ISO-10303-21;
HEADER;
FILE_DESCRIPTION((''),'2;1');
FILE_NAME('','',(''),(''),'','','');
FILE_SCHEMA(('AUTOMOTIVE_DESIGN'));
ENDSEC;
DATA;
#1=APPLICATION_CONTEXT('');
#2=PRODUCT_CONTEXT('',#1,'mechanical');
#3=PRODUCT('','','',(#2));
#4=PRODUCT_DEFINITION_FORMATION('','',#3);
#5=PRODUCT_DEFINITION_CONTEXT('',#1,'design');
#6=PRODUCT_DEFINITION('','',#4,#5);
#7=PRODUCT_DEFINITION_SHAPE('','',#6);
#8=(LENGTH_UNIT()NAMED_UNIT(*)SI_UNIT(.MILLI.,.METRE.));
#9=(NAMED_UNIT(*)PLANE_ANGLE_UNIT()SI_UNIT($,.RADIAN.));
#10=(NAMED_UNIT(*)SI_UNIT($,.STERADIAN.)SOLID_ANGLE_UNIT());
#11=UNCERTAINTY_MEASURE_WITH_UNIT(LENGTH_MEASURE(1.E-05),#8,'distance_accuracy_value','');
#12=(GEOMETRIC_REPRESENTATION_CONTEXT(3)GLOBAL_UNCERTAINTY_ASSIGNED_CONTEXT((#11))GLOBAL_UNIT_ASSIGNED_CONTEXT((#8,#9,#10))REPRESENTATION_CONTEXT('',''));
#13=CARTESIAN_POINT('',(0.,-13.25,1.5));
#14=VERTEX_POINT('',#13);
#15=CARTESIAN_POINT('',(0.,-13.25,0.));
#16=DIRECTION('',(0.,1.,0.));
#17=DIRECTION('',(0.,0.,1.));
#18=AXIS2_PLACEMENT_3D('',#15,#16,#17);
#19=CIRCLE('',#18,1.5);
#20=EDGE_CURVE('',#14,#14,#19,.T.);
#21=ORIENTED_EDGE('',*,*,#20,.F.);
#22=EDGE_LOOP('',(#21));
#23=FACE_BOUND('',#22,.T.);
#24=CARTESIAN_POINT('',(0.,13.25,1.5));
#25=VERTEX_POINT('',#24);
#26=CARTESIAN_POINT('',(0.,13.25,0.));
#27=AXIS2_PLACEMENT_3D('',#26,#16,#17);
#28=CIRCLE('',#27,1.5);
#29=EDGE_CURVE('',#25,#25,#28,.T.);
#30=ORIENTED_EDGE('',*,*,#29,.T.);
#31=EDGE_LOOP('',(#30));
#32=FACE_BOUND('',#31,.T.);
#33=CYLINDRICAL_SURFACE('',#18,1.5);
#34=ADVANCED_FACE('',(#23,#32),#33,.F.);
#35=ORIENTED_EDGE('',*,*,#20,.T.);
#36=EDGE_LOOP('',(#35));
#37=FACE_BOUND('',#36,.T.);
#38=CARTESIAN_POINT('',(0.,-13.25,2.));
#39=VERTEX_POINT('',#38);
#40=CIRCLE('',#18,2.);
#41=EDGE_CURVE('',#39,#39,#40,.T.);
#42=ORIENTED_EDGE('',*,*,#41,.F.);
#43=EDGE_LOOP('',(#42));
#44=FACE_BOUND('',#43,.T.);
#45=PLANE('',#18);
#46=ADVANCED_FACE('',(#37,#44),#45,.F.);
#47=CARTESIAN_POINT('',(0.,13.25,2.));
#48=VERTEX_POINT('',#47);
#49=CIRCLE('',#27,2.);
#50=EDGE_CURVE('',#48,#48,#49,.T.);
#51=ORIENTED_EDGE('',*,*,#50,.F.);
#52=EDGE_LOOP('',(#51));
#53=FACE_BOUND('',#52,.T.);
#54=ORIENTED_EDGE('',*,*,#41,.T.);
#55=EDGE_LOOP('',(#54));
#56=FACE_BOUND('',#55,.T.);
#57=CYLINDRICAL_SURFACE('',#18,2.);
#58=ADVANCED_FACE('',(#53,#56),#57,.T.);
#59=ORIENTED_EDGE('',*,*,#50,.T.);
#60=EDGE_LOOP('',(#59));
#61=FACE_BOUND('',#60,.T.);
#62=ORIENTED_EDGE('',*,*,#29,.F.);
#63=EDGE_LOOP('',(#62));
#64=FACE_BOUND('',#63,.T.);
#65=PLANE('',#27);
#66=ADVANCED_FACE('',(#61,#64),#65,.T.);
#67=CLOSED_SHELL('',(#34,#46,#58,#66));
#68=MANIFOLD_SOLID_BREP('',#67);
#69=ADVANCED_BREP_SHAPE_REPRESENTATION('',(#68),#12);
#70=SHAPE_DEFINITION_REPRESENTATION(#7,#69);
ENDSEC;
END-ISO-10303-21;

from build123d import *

# Parameters (mm, degrees)
BOSS_EXTRUDE1_DEPTH      = 13.25
BOSS_EXTRUDE1_DEPTH_BACK = 13.25
SKETCH1_R                = 2
SKETCH1_R_2              = 1.5


with BuildPart() as part:
    # Sketch1 → Boss-Extrude1 (new, two sides: drawn at the far end of the back side and taken through both)
    with BuildSketch(Plane(origin=(0, 0, 0), x_dir=(1, 0, 0), z_dir=(0, 1, 0)).offset(-BOSS_EXTRUDE1_DEPTH_BACK)):
        Circle(SKETCH1_R)
        Circle(SKETCH1_R_2, mode=Mode.SUBTRACT)
    extrude(amount=BOSS_EXTRUDE1_DEPTH + BOSS_EXTRUDE1_DEPTH_BACK)


solid = part.part
